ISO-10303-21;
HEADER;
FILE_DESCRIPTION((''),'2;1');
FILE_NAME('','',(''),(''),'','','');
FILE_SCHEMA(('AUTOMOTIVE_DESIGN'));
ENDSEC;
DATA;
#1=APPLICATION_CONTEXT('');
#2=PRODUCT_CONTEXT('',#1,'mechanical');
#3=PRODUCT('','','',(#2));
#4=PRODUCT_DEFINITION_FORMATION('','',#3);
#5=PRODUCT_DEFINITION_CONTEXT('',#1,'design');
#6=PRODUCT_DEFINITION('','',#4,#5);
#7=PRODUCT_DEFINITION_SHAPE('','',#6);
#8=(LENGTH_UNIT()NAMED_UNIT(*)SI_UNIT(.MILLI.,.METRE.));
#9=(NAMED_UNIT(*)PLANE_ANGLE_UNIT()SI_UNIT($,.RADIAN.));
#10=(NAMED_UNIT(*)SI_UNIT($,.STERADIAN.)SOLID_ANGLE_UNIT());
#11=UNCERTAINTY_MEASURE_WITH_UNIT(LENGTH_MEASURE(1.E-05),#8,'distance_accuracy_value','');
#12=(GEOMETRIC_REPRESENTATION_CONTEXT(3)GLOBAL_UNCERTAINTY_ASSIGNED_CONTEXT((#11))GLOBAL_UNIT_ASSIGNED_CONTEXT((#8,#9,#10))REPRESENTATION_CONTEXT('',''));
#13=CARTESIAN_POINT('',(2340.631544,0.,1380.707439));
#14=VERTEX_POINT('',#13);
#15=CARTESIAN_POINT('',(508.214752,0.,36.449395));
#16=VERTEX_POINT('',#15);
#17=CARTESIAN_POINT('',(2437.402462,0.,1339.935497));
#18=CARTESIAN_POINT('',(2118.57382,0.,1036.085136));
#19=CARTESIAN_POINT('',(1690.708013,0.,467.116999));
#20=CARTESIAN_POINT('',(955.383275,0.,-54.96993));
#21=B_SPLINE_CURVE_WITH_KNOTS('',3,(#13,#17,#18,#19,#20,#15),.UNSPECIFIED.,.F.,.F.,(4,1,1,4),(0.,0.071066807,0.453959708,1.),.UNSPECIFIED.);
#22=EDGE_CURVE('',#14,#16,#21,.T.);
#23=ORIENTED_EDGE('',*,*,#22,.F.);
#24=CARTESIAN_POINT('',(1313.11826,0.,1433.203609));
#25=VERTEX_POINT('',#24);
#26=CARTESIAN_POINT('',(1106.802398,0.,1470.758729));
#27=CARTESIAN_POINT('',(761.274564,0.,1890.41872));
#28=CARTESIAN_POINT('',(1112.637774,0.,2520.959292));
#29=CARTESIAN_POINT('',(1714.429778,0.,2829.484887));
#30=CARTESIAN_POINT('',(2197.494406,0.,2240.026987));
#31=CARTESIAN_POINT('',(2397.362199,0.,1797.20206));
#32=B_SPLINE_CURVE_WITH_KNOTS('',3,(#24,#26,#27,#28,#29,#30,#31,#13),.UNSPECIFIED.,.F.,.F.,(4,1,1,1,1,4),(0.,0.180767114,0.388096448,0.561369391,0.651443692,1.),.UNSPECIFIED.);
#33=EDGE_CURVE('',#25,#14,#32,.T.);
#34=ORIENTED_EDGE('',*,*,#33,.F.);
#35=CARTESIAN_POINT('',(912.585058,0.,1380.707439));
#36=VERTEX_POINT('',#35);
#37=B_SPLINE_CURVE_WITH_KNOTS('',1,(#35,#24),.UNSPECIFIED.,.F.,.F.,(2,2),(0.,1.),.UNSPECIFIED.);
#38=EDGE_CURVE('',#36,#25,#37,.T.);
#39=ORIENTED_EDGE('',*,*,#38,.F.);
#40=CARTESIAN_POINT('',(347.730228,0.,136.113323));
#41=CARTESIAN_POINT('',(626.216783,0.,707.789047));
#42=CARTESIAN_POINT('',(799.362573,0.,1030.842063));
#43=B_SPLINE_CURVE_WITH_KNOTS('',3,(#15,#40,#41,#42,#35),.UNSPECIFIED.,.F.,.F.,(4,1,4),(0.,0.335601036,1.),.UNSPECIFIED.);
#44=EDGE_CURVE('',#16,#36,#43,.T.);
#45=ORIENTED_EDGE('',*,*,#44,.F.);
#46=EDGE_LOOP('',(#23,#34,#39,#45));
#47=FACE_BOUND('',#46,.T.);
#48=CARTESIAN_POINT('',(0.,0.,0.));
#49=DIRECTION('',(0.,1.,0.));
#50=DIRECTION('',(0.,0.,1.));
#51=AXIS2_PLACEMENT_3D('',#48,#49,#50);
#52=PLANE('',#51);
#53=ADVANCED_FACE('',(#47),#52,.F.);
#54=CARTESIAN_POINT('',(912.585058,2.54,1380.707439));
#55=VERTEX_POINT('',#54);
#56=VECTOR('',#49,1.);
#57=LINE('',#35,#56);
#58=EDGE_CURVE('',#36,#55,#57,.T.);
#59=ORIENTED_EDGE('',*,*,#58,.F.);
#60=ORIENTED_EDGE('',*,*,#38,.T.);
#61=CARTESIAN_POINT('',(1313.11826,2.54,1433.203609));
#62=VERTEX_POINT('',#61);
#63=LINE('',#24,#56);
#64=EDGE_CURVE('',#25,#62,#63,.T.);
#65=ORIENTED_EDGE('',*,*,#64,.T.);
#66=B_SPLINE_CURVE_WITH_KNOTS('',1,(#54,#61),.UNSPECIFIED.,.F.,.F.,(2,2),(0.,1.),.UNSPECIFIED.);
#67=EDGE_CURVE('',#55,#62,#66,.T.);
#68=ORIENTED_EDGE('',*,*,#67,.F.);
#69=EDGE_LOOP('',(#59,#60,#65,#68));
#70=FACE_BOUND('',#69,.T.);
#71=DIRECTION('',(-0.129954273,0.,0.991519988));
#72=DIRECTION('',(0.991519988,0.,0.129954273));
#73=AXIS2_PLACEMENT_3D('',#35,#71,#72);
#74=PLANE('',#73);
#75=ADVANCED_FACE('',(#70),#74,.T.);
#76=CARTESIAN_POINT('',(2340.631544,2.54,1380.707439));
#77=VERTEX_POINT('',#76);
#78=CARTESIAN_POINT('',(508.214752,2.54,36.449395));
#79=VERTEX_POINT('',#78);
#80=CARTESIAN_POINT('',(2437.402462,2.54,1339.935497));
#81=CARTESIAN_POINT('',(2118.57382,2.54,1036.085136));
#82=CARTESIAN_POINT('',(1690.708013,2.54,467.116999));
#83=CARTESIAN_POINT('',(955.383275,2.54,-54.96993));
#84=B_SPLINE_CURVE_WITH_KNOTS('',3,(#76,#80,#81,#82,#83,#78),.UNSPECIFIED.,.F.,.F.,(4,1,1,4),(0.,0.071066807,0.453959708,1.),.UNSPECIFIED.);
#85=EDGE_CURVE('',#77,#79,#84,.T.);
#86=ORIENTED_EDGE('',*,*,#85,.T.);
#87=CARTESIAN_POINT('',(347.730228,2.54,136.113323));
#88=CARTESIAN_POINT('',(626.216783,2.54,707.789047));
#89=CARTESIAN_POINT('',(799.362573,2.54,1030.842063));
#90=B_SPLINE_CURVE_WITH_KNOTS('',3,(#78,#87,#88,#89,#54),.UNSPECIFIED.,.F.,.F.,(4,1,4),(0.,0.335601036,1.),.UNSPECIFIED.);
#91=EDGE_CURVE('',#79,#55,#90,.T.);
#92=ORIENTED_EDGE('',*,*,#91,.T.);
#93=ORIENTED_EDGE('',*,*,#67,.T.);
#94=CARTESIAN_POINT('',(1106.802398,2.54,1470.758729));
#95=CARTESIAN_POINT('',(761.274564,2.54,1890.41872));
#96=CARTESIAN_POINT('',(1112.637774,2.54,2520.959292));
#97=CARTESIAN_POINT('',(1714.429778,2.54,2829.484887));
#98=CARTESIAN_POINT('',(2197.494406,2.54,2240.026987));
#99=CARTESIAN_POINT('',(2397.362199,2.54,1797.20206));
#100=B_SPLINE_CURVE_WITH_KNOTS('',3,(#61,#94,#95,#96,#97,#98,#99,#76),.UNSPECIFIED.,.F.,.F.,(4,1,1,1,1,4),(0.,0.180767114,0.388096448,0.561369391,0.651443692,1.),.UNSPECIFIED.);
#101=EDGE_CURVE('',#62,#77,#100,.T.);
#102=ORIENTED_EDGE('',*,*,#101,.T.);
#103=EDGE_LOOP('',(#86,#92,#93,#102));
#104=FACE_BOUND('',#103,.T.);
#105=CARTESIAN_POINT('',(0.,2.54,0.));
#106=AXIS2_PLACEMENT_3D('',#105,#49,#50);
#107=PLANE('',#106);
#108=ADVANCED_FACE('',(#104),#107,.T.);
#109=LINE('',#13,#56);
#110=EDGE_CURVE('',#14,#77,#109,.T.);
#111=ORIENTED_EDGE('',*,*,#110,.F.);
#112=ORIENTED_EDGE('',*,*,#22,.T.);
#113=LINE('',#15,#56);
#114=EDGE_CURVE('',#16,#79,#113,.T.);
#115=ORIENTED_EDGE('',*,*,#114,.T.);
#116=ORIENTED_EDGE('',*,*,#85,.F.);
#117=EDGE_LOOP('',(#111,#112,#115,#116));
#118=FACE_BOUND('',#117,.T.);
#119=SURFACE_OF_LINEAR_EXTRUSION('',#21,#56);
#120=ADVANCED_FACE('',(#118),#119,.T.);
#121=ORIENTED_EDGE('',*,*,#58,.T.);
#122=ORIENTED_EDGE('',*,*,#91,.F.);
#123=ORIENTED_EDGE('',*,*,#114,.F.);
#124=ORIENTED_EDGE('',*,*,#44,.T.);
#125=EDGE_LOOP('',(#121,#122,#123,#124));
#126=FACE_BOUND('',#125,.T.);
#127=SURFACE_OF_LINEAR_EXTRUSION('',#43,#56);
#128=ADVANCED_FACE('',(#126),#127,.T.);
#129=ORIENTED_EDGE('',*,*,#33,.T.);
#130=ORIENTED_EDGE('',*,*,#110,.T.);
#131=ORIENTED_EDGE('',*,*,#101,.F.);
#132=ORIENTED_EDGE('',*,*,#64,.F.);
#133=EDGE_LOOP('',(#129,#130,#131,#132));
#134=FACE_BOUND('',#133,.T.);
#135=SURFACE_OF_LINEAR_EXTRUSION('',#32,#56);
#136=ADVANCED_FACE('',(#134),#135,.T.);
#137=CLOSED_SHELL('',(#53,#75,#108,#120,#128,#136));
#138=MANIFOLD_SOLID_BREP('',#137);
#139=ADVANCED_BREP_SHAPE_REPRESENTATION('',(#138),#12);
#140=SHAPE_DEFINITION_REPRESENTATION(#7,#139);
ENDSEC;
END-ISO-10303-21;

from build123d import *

# Parameters (mm, degrees)
SKETCH2_W           = 2743.2
SKETCH2_H           = 2743.2
BOSS_EXTRUDE5_DEPTH = 2.54
SKETCH9_OUTSIDE_W   = 3521.094
SKETCH9_OUTSIDE_H   = 3521.094
CUT_EXTRUDE2_DEPTH  = 3880.471475807


with BuildPart() as part:
    # Sketch2 → Boss-Extrude5 (new body)
    with BuildSketch(Plane(origin=(0, 0, 0), x_dir=(1, 0, 0), z_dir=(0, 1, 0))):
        with Locations((1371.6, -1371.6)):
            Rectangle(SKETCH2_W, SKETCH2_H)
    extrude(amount=BOSS_EXTRUDE5_DEPTH)

    # Sketch9 outside → Cut-Extrude2 (cut, through all)
    with BuildSketch(Plane(origin=(0, 2.54, 0), x_dir=(1, 0, 0), z_dir=(0, 1, 0))):
        with Locations((1371.6, -1371.6)):
            Rectangle(SKETCH9_OUTSIDE_W, SKETCH9_OUTSIDE_H)
        with BuildLine():
            add(Edge.make_bspline(
                [(912.585058107, -1380.707439323), (799.362573134, -1030.842063307), (626.216783252, -707.789047244), (347.730227543, -136.113323122), (508.214752154, -36.449395209)],
                knots=[0, 0, 0, 0, 0.664398964, 1, 1, 1, 1], degree=3))
            add(Edge.make_bspline(
                [(508.214752154, -36.449395209), (955.383274648, 54.969929974), (1690.708013053, -467.116998919), (2118.573820237, -1036.085136387), (2437.402462422, -1339.935496878), (2340.631543996, -1380.707439323)],
                knots=[0, 0, 0, 0, 0.546040292, 0.928933193, 1, 1, 1, 1], degree=3))
            add(Edge.make_bspline(
                [(1313.118260063, -1433.203608617), (1106.802397652, -1470.758729373), (761.274563988, -1890.418719789), (1112.637774022, -2520.959291735), (1714.429777895, -2829.484887067), (2197.494405804, -2240.026987128), (2397.362199196, -1797.202060136), (2340.631543996, -1380.707439323)],
                knots=[0, 0, 0, 0, 0.180767114, 0.388096448, 0.561369391, 0.651443692, 1, 1, 1, 1], degree=3))
            Line((1313.118260063, -1433.203608617), (912.585058107, -1380.707439323))
        make_face(mode=Mode.SUBTRACT)
    extrude(amount=-CUT_EXTRUDE2_DEPTH, mode=Mode.SUBTRACT)


solid = part.part
